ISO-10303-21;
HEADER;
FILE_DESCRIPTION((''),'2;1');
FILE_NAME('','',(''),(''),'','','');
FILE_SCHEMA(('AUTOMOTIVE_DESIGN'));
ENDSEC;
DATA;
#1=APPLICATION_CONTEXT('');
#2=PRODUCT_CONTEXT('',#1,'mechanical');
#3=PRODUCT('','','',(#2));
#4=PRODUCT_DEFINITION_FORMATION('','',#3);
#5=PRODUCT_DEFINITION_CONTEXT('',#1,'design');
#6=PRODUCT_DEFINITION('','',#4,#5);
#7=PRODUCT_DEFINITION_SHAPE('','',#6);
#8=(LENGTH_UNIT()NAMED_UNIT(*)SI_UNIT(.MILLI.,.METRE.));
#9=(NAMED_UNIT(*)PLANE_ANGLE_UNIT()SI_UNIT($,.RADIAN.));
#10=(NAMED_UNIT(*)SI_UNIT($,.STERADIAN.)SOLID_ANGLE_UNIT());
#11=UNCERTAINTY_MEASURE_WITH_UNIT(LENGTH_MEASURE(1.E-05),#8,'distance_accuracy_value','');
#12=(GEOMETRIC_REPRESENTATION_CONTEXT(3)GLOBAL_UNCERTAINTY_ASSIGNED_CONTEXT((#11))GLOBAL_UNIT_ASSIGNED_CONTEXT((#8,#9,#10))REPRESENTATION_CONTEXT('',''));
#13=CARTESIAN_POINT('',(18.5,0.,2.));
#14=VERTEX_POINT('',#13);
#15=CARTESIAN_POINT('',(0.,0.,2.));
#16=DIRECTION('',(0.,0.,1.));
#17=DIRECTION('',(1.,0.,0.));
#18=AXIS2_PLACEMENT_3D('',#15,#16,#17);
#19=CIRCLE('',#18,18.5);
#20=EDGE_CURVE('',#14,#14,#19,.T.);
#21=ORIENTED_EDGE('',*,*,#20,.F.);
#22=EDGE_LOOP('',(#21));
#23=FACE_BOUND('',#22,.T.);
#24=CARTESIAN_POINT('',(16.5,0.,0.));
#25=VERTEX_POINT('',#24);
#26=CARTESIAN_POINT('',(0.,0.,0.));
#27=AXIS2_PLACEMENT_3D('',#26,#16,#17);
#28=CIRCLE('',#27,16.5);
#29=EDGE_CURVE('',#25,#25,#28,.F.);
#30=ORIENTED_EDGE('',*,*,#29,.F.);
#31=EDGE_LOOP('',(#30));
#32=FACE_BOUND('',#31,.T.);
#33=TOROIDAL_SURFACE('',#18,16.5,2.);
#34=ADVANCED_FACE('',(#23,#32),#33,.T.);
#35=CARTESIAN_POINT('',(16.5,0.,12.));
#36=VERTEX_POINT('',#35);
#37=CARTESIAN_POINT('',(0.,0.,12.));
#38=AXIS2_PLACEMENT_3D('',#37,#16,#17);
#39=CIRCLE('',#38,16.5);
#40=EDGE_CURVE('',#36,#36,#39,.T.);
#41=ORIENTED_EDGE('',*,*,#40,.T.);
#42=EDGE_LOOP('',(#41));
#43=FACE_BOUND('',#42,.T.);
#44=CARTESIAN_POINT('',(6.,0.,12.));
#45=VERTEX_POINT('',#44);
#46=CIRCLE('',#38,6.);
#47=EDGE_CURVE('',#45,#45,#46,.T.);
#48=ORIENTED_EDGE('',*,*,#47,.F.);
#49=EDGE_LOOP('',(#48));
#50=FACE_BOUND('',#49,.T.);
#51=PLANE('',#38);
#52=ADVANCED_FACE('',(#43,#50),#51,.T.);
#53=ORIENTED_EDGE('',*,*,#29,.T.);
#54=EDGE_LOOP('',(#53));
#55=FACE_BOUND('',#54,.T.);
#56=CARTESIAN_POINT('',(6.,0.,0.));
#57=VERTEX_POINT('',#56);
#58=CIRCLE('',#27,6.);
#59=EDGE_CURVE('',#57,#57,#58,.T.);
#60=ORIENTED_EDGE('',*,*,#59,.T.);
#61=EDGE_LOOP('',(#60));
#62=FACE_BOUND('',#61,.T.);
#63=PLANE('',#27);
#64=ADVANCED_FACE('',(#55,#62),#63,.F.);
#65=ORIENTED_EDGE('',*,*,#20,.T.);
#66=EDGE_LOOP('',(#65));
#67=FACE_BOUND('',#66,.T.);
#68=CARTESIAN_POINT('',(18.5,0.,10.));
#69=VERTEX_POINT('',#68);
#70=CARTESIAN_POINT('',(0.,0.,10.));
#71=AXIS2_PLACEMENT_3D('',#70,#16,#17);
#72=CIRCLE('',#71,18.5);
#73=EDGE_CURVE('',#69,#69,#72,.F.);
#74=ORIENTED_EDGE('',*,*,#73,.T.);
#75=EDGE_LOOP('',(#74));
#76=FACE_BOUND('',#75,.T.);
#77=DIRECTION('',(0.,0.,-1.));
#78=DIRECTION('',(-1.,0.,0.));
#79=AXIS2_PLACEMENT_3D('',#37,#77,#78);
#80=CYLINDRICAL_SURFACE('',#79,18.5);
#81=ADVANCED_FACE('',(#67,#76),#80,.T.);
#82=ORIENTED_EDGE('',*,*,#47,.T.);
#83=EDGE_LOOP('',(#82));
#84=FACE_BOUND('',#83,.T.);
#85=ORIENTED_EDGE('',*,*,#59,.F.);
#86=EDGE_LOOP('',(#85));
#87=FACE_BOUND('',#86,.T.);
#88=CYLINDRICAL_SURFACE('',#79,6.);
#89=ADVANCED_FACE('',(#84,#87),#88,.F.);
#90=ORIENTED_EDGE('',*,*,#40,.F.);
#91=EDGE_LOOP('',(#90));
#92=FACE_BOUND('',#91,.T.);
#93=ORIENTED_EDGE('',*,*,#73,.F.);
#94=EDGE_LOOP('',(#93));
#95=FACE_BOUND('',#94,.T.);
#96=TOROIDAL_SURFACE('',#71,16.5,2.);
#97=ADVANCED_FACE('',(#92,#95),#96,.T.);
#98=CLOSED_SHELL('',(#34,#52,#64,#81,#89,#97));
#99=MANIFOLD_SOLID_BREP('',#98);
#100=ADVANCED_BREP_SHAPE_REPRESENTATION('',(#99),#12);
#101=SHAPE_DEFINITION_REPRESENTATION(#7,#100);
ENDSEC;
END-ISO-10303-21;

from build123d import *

# Parameters (mm, degrees)
SKETCH_1_R      = 18.5
SKETCH_1_R_2    = 6
EXTRUDE_1_DEPTH = 12
FILLET_1_R      = 2
FILLET_2_R      = 2


with BuildPart() as part:
    # 草图1 → 拉伸1 (new body)
    with BuildSketch(Plane.XY):
        Circle(SKETCH_1_R)
        Circle(SKETCH_1_R_2, mode=Mode.SUBTRACT)
    extrude(amount=EXTRUDE_1_DEPTH)

    # 圆角1
    fillet_1_edges = [part.edges().sort_by_distance(p)[0] for p in [
        (-18.5, 0, 12),
    ]]
    fillet(fillet_1_edges, radius=FILLET_1_R)

    # 圆角2
    fillet_2_edges = [part.edges().sort_by_distance(p)[0] for p in [
        (-18.5, 0, 0),
    ]]
    fillet(fillet_2_edges, radius=FILLET_2_R)


solid = part.part
